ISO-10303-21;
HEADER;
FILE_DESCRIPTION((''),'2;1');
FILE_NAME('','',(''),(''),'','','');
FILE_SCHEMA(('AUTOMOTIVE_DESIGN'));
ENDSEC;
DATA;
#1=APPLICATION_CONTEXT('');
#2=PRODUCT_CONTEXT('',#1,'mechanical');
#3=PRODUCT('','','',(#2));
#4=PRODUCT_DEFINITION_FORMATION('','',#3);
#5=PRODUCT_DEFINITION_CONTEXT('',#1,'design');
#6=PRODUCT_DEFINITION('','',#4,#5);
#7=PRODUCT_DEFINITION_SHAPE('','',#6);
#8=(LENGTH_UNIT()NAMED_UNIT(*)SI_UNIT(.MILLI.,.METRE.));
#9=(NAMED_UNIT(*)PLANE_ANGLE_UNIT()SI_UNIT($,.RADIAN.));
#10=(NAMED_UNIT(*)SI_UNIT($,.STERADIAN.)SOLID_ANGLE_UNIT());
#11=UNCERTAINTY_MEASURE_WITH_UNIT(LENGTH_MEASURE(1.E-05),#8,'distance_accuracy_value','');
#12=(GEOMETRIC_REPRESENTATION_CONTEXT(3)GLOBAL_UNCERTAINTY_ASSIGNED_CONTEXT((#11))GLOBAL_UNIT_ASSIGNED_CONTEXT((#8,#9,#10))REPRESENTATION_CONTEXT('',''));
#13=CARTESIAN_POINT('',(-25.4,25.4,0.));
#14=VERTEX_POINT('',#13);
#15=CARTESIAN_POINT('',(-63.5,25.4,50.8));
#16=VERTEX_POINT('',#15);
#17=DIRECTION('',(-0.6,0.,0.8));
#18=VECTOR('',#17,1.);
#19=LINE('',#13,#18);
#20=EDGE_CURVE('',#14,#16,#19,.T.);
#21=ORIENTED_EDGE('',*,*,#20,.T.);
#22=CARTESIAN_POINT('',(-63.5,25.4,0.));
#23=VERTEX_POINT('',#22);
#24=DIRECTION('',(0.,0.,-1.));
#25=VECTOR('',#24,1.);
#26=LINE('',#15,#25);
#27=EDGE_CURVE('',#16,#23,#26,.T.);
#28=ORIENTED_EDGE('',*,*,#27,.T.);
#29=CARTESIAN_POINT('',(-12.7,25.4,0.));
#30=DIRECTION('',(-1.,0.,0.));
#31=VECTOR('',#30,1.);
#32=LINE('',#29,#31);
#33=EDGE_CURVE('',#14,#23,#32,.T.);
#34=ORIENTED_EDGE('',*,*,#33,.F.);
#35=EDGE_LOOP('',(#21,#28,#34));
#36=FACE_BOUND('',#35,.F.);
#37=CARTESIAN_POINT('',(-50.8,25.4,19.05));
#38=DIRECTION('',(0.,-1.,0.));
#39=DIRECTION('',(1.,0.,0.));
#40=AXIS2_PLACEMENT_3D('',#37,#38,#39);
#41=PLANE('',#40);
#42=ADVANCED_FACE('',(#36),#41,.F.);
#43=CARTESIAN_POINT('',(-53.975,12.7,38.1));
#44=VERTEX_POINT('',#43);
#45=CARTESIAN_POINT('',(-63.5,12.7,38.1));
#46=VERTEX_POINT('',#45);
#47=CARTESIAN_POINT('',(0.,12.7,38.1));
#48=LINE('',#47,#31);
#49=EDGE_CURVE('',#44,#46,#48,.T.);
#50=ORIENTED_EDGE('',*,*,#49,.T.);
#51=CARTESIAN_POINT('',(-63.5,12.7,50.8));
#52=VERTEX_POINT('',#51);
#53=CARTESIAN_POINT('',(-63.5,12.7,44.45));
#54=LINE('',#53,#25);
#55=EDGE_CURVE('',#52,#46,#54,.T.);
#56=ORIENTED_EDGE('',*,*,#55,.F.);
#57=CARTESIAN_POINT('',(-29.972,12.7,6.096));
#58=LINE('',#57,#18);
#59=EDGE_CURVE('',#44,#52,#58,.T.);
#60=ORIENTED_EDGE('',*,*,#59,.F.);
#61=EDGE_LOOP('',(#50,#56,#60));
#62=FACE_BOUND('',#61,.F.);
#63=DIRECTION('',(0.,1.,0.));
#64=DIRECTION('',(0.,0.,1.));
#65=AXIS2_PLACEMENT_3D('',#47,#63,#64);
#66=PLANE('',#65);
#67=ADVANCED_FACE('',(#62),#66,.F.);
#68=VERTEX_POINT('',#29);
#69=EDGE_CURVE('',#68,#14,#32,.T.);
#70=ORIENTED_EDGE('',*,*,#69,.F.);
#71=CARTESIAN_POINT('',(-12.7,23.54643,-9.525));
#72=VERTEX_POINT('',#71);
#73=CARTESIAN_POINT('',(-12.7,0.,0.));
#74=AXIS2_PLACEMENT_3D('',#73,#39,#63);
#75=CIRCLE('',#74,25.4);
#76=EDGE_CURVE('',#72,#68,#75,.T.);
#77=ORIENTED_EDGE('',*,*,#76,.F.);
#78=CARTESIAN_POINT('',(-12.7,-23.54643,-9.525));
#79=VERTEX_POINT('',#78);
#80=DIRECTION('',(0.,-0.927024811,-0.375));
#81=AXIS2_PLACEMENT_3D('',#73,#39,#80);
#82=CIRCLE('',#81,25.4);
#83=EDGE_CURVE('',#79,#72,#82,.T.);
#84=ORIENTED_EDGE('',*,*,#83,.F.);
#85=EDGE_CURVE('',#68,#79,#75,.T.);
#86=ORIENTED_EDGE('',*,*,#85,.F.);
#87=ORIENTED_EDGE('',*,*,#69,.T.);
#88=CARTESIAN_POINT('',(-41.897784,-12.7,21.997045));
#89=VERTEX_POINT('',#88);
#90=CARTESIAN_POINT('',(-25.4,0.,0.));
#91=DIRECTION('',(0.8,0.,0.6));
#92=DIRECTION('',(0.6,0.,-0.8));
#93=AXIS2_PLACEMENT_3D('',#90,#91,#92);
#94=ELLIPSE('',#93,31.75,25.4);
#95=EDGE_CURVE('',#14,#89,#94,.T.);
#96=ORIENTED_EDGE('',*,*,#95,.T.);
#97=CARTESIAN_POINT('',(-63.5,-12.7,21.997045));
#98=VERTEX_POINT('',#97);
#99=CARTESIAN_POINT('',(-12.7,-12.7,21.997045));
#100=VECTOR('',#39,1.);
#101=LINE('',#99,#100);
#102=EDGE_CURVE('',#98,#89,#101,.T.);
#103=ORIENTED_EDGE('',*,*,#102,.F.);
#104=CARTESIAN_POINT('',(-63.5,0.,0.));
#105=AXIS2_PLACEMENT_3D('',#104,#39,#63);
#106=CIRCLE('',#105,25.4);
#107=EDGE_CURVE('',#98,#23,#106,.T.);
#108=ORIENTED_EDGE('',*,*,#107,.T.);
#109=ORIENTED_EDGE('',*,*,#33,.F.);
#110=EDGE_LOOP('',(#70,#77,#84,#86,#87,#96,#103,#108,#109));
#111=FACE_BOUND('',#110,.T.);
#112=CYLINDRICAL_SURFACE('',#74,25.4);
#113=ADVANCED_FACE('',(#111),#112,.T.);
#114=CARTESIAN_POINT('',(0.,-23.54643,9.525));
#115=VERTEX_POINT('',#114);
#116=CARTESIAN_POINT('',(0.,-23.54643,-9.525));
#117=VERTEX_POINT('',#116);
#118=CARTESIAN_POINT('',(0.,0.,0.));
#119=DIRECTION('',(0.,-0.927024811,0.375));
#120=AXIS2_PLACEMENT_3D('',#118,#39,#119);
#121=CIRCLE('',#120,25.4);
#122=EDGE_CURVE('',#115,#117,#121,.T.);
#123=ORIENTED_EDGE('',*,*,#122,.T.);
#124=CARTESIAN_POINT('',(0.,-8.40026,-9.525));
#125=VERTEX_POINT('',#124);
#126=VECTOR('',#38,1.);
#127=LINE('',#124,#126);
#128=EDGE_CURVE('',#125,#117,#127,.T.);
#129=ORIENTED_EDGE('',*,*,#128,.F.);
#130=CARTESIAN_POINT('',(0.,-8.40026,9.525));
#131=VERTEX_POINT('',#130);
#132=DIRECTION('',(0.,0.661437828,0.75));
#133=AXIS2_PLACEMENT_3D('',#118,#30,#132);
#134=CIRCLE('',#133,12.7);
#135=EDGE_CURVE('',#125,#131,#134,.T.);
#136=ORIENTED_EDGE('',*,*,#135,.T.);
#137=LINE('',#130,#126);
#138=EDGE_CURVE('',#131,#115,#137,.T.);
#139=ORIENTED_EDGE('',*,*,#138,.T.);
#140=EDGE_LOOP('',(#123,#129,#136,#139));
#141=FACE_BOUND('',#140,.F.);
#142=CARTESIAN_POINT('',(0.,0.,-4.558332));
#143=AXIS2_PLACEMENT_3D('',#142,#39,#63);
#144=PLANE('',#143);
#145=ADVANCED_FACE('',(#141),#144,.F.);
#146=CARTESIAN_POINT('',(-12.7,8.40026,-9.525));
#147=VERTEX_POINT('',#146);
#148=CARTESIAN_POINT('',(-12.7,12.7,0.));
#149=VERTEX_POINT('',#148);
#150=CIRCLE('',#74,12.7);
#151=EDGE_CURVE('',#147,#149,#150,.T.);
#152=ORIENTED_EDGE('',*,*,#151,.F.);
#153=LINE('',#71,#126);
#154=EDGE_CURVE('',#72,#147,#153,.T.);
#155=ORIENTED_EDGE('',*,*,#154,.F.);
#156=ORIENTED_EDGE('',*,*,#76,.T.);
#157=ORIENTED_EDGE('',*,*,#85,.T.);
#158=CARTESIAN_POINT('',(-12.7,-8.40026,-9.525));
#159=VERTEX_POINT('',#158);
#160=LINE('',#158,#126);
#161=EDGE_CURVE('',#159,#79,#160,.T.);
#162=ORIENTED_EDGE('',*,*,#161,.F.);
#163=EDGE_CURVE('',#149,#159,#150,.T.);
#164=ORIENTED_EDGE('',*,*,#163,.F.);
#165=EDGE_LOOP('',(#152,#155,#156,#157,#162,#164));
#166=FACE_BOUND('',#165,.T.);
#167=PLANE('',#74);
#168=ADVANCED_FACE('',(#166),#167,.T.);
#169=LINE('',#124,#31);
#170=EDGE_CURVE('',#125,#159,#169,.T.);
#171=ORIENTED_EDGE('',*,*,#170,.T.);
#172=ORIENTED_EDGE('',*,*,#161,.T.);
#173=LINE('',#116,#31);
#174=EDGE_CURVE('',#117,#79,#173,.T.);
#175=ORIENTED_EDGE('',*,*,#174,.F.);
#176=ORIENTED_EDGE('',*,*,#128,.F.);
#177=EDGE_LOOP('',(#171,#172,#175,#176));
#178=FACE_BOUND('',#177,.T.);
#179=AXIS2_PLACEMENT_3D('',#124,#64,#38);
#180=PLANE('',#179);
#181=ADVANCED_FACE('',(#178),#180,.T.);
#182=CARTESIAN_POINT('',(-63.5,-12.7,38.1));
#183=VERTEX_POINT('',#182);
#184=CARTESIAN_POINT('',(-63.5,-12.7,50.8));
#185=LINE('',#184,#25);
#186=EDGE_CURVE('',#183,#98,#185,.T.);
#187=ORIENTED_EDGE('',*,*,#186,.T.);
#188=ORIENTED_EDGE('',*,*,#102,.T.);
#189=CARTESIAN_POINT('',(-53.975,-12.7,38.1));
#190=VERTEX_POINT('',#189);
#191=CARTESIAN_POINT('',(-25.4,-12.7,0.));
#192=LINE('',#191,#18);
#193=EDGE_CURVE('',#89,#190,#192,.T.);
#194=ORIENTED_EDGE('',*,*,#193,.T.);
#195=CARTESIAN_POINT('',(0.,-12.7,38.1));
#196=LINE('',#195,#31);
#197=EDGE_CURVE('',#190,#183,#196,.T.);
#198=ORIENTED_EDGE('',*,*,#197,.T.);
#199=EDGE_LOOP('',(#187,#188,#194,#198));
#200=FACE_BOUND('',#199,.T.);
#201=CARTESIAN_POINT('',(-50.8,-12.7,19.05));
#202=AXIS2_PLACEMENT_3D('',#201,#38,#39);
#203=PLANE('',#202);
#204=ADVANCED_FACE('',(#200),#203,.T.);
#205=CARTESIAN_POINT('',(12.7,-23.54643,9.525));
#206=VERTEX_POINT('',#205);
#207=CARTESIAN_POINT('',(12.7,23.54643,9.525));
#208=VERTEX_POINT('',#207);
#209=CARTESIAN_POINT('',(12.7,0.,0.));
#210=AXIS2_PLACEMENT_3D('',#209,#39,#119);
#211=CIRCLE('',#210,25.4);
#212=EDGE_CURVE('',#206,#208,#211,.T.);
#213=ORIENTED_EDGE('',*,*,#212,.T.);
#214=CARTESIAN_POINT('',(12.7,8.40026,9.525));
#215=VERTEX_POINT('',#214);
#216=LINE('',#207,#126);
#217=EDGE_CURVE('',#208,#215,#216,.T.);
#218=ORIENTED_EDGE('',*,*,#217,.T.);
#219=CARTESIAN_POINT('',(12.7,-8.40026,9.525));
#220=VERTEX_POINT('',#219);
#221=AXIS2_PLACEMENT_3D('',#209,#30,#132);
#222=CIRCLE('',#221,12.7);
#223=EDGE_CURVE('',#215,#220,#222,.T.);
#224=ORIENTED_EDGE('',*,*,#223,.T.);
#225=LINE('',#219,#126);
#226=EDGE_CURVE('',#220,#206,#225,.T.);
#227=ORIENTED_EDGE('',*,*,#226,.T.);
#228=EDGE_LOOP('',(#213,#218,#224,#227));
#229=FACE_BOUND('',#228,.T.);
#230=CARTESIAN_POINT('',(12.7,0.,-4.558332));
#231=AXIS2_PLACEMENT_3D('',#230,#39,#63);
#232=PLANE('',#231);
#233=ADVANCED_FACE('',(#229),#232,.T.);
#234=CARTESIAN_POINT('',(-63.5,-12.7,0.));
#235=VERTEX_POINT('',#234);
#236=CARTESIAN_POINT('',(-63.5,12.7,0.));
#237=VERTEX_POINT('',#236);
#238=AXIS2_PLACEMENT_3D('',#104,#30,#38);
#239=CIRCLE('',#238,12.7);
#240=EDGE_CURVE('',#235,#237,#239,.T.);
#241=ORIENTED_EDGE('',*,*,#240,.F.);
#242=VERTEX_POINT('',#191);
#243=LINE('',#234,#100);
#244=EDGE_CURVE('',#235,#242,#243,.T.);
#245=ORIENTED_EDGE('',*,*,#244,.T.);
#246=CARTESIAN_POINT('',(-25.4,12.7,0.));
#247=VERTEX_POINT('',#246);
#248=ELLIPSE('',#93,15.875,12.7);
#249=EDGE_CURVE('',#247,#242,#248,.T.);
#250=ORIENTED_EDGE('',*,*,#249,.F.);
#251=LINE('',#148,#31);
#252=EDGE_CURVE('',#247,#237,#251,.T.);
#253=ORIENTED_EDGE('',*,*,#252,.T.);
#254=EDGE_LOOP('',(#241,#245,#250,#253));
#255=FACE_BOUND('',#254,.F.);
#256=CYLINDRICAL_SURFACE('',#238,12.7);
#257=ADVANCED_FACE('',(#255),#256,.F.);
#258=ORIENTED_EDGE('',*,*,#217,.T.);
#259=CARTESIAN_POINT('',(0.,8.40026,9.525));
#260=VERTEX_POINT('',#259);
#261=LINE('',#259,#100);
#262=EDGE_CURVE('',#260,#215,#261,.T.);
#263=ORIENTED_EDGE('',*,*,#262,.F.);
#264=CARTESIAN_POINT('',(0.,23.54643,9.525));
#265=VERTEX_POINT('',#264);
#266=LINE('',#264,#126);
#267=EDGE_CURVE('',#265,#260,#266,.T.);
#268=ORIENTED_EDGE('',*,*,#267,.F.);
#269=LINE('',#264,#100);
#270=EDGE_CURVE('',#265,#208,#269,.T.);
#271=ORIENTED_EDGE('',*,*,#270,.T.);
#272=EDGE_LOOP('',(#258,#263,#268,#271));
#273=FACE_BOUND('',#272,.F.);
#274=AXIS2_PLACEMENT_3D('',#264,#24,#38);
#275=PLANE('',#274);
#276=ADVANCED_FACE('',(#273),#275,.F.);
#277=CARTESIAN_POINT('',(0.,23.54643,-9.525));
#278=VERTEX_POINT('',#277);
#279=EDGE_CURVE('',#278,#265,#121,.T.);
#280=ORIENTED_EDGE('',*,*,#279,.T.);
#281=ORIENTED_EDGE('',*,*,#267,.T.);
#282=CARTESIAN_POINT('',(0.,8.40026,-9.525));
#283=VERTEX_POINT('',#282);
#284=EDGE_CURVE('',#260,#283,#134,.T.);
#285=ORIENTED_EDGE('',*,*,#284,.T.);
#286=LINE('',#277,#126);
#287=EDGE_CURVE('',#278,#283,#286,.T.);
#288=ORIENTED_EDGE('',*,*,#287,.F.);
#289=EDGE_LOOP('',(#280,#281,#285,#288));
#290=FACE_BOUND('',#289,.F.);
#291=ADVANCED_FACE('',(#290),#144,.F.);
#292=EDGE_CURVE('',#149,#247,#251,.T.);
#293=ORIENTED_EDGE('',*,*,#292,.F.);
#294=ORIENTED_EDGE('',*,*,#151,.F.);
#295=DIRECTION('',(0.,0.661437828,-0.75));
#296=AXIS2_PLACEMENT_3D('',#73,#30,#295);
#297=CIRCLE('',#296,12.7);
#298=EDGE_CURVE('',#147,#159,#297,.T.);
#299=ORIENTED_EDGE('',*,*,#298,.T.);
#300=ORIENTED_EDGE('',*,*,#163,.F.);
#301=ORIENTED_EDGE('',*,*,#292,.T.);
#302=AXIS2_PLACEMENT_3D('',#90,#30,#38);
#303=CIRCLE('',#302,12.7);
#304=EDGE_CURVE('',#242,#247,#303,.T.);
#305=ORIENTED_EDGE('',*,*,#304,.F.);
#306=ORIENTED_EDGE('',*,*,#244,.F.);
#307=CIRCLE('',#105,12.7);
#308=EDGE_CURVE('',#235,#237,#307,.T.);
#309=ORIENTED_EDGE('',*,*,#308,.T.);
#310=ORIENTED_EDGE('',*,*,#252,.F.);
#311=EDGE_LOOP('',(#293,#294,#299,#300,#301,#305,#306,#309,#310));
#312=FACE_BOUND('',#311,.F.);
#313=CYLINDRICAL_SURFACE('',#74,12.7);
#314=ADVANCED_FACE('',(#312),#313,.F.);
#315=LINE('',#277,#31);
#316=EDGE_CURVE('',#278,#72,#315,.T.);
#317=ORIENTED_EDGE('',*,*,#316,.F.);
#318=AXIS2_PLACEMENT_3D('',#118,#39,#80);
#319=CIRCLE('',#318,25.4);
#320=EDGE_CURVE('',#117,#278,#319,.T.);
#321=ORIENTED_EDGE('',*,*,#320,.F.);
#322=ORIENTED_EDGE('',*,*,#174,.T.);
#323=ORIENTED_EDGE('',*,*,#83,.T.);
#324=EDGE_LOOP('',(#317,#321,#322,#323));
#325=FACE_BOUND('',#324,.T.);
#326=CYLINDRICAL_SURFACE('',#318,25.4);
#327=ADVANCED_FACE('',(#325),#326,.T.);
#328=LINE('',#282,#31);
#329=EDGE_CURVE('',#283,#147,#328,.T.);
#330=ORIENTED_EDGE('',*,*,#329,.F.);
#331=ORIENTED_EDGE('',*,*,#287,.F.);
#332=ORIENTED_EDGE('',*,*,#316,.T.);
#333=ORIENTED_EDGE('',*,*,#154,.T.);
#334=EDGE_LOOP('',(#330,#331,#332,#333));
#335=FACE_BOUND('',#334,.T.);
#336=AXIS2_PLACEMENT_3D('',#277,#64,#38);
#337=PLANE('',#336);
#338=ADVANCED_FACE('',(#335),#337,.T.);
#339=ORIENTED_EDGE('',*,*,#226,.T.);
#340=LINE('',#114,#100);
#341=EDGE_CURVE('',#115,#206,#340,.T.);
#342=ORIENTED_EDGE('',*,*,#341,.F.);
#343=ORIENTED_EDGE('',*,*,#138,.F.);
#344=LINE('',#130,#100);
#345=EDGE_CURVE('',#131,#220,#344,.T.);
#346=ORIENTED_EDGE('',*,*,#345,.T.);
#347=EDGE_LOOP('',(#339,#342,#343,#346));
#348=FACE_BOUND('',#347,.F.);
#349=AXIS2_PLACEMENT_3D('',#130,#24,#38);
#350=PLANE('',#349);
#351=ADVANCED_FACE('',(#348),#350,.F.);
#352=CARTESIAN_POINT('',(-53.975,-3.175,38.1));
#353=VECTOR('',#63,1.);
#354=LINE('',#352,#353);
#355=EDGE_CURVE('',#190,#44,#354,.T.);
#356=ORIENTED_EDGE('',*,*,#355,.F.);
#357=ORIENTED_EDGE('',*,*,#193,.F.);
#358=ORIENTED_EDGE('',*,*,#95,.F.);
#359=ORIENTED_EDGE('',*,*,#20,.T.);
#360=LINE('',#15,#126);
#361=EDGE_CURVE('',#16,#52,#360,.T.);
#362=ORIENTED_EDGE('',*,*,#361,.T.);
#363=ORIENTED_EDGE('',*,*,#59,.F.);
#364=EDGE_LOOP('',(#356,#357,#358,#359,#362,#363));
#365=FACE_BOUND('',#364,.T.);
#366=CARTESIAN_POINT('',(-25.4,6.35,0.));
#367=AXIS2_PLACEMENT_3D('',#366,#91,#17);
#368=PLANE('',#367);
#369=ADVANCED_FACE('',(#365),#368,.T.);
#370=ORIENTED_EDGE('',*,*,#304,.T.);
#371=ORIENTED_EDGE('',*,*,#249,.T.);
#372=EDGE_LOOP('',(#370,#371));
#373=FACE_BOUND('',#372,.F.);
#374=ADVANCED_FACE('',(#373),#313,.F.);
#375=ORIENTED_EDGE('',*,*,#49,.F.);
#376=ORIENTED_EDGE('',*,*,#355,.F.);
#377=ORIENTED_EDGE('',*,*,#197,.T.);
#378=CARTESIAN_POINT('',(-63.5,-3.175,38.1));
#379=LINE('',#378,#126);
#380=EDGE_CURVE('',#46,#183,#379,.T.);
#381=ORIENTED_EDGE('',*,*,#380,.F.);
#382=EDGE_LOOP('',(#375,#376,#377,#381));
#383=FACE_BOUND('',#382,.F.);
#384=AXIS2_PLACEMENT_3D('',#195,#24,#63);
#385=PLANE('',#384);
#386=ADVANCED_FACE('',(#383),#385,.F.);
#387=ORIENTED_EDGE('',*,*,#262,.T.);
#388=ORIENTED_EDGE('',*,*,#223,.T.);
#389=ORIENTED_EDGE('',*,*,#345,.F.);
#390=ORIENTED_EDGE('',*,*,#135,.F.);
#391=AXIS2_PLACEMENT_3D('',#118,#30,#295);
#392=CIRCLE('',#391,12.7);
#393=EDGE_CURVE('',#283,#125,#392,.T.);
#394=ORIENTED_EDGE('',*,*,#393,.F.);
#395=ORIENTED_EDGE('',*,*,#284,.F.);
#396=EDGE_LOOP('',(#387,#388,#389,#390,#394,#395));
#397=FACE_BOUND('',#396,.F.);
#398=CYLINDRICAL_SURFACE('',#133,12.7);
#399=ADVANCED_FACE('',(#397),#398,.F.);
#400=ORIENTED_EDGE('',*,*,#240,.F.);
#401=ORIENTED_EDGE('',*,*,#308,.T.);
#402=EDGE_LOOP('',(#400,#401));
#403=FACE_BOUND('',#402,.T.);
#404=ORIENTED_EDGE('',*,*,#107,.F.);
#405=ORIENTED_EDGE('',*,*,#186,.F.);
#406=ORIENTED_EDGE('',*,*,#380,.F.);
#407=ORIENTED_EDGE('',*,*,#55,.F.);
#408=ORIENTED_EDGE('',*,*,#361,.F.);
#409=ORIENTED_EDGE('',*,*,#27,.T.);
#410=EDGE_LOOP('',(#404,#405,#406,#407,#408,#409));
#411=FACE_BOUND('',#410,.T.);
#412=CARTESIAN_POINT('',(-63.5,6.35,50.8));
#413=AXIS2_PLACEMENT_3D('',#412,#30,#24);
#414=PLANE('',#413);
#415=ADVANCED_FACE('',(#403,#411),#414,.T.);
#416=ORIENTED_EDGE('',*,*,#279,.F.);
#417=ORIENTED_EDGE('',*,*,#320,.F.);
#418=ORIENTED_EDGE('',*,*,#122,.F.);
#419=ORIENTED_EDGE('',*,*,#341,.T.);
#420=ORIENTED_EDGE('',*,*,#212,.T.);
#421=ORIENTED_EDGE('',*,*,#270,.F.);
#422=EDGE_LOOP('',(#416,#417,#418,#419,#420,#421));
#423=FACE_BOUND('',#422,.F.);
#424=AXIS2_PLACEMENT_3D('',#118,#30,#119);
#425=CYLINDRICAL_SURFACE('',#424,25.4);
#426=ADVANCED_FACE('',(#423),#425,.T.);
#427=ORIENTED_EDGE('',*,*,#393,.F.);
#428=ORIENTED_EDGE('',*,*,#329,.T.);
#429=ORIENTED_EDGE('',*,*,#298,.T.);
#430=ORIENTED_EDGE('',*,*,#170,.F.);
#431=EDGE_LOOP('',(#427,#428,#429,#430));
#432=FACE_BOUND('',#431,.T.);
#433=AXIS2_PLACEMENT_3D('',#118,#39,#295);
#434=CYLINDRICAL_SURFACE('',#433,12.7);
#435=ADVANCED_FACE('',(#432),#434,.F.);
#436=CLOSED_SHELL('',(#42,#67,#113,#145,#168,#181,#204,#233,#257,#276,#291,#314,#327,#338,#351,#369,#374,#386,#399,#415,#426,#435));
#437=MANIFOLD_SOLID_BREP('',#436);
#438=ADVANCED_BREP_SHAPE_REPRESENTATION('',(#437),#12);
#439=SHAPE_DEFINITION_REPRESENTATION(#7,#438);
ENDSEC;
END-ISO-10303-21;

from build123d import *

# Parameters (mm, degrees)
F1_DEPTH  = 12.7
F3_R      = 25.4
F3_R_2    = 12.7
F4_DEPTH  = 50.8
F6_DEPTH  = 12.7
F9_DEPTH  = 19.05
F10_W     = 25.4
F10_H     = 12.7
F11_DEPTH = 63.501
F13_DEPTH = 38.1


with BuildPart() as f1:
    # F0 (on Right) → F1 (new body)
    with BuildSketch(Plane.YZ):
        with BuildLine():
            ThreePointArc((8.4002604126, 9.525), (0, -12.7), (-8.4002604126, 9.525))
            Line((-8.4002604126, 9.525), (-23.5464301965, 9.525))
            ThreePointArc((-23.5464301965, 9.525), (0, -25.4), (23.5464301965, 9.525))
            Line((23.5464301965, 9.525), (8.4002604126, 9.525))
        make_face()
    extrude(amount=F1_DEPTH)



with BuildPart() as f4:
    # F3 (on offset) → F4 (new body)
    with BuildSketch(Plane.YZ.offset(-12.7)):
        Circle(F3_R)
        Circle(F3_R_2, mode=Mode.SUBTRACT)
    extrude(amount=-F4_DEPTH)


with BuildPart() as f1_1:
    add(f1.part)

    add(f4.part)  # F6 merges F4
    # F5 (on Right) → F6 (join)
    with BuildSketch(Plane.YZ):
        with BuildLine():
            Line((-8.4002604126, -9.525), (-23.5464301965, -9.525))
            ThreePointArc((-23.5464301965, -9.525), (0, -25.4), (23.5464301965, -9.525))
            Line((23.5464301965, -9.525), (8.4002604126, -9.525))
            ThreePointArc((8.4002604126, -9.525), (0, -12.7), (-8.4002604126, -9.525))
        make_face()
    extrude(amount=-F6_DEPTH)

    # F8 (on offset) → F9 (join, symmetric)
    with BuildSketch(Plane.XZ.offset(-6.35)):
        Polygon((-25.4, 0), (-63.5, 50.8), (-63.5, 0), align=None)
    extrude(amount=F9_DEPTH, both=True)

    # F10 (on Right) → F11 (cut, through all)
    with BuildSketch(Plane.YZ):
        with Locations((0, 44.45)):
            Rectangle(F10_W, F10_H)
    extrude(amount=-F11_DEPTH, mode=Mode.SUBTRACT)

    # F12 (on face) → F13 (cut)
    with BuildSketch(Plane(origin=(-63.5, 0, 0), x_dir=(0, -1, 0), z_dir=(-1, 0, 0))):
        with BuildLine():
            Line((-12.7, 0), (12.7, 0))
            ThreePointArc((12.7, 0), (0, 12.7), (-12.7, 0))
        make_face()
    extrude(amount=-F13_DEPTH, mode=Mode.SUBTRACT)


solid = f1_1.part
